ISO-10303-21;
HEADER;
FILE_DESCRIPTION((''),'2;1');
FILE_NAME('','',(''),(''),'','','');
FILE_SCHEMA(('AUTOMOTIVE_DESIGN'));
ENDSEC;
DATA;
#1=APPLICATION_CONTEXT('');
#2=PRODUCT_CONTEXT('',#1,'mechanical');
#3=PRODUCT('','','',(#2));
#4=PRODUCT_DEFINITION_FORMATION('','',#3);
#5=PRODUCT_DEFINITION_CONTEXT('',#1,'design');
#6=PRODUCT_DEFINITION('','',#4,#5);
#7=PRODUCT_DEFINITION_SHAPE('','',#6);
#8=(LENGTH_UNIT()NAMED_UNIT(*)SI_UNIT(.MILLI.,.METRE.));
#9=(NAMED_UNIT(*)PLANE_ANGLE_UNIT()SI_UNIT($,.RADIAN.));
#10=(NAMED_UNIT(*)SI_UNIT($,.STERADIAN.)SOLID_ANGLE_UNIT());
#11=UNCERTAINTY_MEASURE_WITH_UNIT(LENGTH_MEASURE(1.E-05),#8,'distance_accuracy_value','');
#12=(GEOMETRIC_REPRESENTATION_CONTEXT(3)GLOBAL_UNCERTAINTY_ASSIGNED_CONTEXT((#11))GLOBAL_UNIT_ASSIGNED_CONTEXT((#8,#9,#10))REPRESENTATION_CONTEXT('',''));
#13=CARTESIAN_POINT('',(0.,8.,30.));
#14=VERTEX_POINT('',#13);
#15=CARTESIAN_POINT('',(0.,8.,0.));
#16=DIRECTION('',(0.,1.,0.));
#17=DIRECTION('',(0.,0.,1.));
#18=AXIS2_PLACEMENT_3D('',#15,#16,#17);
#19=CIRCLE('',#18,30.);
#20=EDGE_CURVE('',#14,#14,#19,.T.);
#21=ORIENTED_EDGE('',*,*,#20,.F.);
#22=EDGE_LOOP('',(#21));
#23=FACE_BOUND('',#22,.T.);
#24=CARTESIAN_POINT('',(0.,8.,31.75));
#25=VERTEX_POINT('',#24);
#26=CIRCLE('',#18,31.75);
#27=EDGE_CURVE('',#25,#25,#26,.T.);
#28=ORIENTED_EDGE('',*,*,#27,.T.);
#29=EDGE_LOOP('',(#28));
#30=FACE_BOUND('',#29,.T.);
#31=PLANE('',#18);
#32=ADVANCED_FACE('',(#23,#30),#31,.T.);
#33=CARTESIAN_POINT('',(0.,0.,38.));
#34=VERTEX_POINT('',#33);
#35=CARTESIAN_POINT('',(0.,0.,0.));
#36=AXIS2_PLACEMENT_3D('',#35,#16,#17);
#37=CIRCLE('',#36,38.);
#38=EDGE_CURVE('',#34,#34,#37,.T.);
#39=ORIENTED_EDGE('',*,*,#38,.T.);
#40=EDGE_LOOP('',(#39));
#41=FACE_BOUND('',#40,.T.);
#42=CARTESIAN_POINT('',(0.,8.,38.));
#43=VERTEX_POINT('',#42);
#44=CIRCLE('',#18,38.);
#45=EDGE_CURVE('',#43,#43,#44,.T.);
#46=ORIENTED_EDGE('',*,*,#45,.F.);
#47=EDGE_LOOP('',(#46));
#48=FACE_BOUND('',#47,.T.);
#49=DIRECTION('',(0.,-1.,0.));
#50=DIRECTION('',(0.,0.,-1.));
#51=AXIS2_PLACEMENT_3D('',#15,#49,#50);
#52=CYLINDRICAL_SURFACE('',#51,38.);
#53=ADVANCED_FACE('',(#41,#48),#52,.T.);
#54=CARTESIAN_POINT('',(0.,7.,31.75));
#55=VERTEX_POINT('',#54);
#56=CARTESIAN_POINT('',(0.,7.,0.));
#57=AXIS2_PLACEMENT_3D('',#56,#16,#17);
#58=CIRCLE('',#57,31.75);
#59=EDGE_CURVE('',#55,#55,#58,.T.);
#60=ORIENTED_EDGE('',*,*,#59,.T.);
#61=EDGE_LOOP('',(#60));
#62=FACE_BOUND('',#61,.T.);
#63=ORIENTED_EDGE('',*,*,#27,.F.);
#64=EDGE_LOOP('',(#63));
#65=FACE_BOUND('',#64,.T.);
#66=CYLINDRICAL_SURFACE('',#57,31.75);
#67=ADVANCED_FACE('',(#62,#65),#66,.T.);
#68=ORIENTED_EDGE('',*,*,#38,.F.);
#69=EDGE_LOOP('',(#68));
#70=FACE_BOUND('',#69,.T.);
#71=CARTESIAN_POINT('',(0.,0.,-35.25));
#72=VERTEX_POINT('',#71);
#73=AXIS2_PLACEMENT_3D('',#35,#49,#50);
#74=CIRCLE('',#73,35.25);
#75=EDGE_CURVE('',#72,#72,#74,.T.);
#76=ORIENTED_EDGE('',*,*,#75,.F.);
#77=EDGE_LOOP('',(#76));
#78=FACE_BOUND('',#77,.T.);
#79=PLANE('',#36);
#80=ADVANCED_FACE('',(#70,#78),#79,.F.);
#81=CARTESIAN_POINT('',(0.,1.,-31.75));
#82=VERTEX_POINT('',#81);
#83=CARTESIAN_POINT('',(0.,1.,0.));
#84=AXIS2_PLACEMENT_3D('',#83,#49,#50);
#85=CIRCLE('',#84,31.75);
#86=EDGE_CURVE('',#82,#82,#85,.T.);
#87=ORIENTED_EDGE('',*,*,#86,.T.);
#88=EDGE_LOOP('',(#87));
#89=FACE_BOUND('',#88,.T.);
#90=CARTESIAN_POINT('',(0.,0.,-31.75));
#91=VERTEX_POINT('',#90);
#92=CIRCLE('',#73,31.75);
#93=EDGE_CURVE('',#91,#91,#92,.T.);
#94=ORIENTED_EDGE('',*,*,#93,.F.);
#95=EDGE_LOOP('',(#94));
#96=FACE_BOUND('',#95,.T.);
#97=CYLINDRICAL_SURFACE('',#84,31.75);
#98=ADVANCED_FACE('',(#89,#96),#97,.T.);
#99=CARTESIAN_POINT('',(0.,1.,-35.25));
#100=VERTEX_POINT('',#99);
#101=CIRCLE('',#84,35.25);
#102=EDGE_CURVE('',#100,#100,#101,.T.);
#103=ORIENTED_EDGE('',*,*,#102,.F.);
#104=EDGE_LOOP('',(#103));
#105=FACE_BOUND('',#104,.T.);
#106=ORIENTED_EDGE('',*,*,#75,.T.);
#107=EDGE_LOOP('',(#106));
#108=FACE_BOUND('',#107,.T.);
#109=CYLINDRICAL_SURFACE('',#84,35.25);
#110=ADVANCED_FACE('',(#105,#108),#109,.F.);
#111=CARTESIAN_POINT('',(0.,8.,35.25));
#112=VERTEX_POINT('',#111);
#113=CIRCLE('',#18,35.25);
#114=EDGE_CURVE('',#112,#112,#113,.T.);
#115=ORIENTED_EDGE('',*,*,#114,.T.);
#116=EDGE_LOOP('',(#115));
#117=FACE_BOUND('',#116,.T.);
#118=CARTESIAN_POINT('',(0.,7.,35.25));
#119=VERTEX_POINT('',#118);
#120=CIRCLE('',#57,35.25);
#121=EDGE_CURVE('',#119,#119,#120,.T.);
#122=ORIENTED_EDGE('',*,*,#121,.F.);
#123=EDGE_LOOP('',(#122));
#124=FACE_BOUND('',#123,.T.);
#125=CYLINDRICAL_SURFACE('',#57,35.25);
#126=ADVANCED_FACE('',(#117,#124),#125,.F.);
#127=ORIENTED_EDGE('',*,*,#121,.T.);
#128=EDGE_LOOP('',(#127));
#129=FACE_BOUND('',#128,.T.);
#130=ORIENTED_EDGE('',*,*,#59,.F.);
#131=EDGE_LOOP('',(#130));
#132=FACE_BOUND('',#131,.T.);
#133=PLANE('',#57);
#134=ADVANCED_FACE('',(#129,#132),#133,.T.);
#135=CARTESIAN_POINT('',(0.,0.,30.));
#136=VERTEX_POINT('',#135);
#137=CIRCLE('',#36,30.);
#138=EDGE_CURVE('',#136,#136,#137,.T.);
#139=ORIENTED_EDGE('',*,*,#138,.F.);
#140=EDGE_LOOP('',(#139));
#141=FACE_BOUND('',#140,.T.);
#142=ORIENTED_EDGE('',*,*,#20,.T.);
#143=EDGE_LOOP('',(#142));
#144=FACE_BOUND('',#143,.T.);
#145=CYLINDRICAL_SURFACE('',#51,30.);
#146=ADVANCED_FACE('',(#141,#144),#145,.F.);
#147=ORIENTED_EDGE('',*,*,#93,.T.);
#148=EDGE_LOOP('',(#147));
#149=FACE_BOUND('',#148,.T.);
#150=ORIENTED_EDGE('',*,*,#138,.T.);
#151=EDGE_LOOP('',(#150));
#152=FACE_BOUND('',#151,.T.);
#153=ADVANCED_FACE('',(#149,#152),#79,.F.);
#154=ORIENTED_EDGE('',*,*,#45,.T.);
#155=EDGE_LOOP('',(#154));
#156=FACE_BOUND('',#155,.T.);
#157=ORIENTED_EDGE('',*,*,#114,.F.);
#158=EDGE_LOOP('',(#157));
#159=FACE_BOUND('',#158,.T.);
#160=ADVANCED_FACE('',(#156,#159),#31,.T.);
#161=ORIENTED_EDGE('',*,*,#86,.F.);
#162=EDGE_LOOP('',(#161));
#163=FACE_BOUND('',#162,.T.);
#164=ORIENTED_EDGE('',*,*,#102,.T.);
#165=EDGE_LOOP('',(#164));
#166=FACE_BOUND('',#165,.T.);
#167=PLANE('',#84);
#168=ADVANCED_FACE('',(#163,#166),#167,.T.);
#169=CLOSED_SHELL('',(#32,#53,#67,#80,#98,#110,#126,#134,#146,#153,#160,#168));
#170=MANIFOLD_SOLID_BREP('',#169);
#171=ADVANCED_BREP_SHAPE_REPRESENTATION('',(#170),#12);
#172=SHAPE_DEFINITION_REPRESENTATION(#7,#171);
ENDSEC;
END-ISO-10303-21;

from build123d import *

# Parameters (mm, degrees)
SKETCH_1_R          = 38
SKETCH_1_R_2        = 30
EXTRUDE_1_DEPTH     = 8
SKETCH_2_R          = 35.25
SKETCH_2_R_2        = 31.75
CUT_EXTRUDE_1_DEPTH = 1
SKETCH_3_R          = 35.25
SKETCH_3_R_2        = 31.75
CUT_EXTRUDE_2_DEPTH = 1


with BuildPart() as part:
    # 草图1 → 凸台-拉伸1 (new body)
    with BuildSketch(Plane(origin=(0, 0, 0), x_dir=(1, 0, 0), z_dir=(0, 1, 0))):
        Circle(SKETCH_1_R)
        Circle(SKETCH_1_R_2, mode=Mode.SUBTRACT)
    extrude(amount=EXTRUDE_1_DEPTH)

    # 草图2 → 切除-拉伸1 (cut)
    with BuildSketch(Plane(origin=(0, 8, 0), x_dir=(1, 0, 0), z_dir=(0, 1, 0))):
        Circle(SKETCH_2_R)
        Circle(SKETCH_2_R_2, mode=Mode.SUBTRACT)
    extrude(amount=-CUT_EXTRUDE_1_DEPTH, mode=Mode.SUBTRACT)

    # 草图3 → 切除-拉伸2 (cut)
    with BuildSketch(Plane.XZ):
        Circle(SKETCH_3_R)
        Circle(SKETCH_3_R_2, mode=Mode.SUBTRACT)
    extrude(amount=-CUT_EXTRUDE_2_DEPTH, mode=Mode.SUBTRACT)


solid = part.part
